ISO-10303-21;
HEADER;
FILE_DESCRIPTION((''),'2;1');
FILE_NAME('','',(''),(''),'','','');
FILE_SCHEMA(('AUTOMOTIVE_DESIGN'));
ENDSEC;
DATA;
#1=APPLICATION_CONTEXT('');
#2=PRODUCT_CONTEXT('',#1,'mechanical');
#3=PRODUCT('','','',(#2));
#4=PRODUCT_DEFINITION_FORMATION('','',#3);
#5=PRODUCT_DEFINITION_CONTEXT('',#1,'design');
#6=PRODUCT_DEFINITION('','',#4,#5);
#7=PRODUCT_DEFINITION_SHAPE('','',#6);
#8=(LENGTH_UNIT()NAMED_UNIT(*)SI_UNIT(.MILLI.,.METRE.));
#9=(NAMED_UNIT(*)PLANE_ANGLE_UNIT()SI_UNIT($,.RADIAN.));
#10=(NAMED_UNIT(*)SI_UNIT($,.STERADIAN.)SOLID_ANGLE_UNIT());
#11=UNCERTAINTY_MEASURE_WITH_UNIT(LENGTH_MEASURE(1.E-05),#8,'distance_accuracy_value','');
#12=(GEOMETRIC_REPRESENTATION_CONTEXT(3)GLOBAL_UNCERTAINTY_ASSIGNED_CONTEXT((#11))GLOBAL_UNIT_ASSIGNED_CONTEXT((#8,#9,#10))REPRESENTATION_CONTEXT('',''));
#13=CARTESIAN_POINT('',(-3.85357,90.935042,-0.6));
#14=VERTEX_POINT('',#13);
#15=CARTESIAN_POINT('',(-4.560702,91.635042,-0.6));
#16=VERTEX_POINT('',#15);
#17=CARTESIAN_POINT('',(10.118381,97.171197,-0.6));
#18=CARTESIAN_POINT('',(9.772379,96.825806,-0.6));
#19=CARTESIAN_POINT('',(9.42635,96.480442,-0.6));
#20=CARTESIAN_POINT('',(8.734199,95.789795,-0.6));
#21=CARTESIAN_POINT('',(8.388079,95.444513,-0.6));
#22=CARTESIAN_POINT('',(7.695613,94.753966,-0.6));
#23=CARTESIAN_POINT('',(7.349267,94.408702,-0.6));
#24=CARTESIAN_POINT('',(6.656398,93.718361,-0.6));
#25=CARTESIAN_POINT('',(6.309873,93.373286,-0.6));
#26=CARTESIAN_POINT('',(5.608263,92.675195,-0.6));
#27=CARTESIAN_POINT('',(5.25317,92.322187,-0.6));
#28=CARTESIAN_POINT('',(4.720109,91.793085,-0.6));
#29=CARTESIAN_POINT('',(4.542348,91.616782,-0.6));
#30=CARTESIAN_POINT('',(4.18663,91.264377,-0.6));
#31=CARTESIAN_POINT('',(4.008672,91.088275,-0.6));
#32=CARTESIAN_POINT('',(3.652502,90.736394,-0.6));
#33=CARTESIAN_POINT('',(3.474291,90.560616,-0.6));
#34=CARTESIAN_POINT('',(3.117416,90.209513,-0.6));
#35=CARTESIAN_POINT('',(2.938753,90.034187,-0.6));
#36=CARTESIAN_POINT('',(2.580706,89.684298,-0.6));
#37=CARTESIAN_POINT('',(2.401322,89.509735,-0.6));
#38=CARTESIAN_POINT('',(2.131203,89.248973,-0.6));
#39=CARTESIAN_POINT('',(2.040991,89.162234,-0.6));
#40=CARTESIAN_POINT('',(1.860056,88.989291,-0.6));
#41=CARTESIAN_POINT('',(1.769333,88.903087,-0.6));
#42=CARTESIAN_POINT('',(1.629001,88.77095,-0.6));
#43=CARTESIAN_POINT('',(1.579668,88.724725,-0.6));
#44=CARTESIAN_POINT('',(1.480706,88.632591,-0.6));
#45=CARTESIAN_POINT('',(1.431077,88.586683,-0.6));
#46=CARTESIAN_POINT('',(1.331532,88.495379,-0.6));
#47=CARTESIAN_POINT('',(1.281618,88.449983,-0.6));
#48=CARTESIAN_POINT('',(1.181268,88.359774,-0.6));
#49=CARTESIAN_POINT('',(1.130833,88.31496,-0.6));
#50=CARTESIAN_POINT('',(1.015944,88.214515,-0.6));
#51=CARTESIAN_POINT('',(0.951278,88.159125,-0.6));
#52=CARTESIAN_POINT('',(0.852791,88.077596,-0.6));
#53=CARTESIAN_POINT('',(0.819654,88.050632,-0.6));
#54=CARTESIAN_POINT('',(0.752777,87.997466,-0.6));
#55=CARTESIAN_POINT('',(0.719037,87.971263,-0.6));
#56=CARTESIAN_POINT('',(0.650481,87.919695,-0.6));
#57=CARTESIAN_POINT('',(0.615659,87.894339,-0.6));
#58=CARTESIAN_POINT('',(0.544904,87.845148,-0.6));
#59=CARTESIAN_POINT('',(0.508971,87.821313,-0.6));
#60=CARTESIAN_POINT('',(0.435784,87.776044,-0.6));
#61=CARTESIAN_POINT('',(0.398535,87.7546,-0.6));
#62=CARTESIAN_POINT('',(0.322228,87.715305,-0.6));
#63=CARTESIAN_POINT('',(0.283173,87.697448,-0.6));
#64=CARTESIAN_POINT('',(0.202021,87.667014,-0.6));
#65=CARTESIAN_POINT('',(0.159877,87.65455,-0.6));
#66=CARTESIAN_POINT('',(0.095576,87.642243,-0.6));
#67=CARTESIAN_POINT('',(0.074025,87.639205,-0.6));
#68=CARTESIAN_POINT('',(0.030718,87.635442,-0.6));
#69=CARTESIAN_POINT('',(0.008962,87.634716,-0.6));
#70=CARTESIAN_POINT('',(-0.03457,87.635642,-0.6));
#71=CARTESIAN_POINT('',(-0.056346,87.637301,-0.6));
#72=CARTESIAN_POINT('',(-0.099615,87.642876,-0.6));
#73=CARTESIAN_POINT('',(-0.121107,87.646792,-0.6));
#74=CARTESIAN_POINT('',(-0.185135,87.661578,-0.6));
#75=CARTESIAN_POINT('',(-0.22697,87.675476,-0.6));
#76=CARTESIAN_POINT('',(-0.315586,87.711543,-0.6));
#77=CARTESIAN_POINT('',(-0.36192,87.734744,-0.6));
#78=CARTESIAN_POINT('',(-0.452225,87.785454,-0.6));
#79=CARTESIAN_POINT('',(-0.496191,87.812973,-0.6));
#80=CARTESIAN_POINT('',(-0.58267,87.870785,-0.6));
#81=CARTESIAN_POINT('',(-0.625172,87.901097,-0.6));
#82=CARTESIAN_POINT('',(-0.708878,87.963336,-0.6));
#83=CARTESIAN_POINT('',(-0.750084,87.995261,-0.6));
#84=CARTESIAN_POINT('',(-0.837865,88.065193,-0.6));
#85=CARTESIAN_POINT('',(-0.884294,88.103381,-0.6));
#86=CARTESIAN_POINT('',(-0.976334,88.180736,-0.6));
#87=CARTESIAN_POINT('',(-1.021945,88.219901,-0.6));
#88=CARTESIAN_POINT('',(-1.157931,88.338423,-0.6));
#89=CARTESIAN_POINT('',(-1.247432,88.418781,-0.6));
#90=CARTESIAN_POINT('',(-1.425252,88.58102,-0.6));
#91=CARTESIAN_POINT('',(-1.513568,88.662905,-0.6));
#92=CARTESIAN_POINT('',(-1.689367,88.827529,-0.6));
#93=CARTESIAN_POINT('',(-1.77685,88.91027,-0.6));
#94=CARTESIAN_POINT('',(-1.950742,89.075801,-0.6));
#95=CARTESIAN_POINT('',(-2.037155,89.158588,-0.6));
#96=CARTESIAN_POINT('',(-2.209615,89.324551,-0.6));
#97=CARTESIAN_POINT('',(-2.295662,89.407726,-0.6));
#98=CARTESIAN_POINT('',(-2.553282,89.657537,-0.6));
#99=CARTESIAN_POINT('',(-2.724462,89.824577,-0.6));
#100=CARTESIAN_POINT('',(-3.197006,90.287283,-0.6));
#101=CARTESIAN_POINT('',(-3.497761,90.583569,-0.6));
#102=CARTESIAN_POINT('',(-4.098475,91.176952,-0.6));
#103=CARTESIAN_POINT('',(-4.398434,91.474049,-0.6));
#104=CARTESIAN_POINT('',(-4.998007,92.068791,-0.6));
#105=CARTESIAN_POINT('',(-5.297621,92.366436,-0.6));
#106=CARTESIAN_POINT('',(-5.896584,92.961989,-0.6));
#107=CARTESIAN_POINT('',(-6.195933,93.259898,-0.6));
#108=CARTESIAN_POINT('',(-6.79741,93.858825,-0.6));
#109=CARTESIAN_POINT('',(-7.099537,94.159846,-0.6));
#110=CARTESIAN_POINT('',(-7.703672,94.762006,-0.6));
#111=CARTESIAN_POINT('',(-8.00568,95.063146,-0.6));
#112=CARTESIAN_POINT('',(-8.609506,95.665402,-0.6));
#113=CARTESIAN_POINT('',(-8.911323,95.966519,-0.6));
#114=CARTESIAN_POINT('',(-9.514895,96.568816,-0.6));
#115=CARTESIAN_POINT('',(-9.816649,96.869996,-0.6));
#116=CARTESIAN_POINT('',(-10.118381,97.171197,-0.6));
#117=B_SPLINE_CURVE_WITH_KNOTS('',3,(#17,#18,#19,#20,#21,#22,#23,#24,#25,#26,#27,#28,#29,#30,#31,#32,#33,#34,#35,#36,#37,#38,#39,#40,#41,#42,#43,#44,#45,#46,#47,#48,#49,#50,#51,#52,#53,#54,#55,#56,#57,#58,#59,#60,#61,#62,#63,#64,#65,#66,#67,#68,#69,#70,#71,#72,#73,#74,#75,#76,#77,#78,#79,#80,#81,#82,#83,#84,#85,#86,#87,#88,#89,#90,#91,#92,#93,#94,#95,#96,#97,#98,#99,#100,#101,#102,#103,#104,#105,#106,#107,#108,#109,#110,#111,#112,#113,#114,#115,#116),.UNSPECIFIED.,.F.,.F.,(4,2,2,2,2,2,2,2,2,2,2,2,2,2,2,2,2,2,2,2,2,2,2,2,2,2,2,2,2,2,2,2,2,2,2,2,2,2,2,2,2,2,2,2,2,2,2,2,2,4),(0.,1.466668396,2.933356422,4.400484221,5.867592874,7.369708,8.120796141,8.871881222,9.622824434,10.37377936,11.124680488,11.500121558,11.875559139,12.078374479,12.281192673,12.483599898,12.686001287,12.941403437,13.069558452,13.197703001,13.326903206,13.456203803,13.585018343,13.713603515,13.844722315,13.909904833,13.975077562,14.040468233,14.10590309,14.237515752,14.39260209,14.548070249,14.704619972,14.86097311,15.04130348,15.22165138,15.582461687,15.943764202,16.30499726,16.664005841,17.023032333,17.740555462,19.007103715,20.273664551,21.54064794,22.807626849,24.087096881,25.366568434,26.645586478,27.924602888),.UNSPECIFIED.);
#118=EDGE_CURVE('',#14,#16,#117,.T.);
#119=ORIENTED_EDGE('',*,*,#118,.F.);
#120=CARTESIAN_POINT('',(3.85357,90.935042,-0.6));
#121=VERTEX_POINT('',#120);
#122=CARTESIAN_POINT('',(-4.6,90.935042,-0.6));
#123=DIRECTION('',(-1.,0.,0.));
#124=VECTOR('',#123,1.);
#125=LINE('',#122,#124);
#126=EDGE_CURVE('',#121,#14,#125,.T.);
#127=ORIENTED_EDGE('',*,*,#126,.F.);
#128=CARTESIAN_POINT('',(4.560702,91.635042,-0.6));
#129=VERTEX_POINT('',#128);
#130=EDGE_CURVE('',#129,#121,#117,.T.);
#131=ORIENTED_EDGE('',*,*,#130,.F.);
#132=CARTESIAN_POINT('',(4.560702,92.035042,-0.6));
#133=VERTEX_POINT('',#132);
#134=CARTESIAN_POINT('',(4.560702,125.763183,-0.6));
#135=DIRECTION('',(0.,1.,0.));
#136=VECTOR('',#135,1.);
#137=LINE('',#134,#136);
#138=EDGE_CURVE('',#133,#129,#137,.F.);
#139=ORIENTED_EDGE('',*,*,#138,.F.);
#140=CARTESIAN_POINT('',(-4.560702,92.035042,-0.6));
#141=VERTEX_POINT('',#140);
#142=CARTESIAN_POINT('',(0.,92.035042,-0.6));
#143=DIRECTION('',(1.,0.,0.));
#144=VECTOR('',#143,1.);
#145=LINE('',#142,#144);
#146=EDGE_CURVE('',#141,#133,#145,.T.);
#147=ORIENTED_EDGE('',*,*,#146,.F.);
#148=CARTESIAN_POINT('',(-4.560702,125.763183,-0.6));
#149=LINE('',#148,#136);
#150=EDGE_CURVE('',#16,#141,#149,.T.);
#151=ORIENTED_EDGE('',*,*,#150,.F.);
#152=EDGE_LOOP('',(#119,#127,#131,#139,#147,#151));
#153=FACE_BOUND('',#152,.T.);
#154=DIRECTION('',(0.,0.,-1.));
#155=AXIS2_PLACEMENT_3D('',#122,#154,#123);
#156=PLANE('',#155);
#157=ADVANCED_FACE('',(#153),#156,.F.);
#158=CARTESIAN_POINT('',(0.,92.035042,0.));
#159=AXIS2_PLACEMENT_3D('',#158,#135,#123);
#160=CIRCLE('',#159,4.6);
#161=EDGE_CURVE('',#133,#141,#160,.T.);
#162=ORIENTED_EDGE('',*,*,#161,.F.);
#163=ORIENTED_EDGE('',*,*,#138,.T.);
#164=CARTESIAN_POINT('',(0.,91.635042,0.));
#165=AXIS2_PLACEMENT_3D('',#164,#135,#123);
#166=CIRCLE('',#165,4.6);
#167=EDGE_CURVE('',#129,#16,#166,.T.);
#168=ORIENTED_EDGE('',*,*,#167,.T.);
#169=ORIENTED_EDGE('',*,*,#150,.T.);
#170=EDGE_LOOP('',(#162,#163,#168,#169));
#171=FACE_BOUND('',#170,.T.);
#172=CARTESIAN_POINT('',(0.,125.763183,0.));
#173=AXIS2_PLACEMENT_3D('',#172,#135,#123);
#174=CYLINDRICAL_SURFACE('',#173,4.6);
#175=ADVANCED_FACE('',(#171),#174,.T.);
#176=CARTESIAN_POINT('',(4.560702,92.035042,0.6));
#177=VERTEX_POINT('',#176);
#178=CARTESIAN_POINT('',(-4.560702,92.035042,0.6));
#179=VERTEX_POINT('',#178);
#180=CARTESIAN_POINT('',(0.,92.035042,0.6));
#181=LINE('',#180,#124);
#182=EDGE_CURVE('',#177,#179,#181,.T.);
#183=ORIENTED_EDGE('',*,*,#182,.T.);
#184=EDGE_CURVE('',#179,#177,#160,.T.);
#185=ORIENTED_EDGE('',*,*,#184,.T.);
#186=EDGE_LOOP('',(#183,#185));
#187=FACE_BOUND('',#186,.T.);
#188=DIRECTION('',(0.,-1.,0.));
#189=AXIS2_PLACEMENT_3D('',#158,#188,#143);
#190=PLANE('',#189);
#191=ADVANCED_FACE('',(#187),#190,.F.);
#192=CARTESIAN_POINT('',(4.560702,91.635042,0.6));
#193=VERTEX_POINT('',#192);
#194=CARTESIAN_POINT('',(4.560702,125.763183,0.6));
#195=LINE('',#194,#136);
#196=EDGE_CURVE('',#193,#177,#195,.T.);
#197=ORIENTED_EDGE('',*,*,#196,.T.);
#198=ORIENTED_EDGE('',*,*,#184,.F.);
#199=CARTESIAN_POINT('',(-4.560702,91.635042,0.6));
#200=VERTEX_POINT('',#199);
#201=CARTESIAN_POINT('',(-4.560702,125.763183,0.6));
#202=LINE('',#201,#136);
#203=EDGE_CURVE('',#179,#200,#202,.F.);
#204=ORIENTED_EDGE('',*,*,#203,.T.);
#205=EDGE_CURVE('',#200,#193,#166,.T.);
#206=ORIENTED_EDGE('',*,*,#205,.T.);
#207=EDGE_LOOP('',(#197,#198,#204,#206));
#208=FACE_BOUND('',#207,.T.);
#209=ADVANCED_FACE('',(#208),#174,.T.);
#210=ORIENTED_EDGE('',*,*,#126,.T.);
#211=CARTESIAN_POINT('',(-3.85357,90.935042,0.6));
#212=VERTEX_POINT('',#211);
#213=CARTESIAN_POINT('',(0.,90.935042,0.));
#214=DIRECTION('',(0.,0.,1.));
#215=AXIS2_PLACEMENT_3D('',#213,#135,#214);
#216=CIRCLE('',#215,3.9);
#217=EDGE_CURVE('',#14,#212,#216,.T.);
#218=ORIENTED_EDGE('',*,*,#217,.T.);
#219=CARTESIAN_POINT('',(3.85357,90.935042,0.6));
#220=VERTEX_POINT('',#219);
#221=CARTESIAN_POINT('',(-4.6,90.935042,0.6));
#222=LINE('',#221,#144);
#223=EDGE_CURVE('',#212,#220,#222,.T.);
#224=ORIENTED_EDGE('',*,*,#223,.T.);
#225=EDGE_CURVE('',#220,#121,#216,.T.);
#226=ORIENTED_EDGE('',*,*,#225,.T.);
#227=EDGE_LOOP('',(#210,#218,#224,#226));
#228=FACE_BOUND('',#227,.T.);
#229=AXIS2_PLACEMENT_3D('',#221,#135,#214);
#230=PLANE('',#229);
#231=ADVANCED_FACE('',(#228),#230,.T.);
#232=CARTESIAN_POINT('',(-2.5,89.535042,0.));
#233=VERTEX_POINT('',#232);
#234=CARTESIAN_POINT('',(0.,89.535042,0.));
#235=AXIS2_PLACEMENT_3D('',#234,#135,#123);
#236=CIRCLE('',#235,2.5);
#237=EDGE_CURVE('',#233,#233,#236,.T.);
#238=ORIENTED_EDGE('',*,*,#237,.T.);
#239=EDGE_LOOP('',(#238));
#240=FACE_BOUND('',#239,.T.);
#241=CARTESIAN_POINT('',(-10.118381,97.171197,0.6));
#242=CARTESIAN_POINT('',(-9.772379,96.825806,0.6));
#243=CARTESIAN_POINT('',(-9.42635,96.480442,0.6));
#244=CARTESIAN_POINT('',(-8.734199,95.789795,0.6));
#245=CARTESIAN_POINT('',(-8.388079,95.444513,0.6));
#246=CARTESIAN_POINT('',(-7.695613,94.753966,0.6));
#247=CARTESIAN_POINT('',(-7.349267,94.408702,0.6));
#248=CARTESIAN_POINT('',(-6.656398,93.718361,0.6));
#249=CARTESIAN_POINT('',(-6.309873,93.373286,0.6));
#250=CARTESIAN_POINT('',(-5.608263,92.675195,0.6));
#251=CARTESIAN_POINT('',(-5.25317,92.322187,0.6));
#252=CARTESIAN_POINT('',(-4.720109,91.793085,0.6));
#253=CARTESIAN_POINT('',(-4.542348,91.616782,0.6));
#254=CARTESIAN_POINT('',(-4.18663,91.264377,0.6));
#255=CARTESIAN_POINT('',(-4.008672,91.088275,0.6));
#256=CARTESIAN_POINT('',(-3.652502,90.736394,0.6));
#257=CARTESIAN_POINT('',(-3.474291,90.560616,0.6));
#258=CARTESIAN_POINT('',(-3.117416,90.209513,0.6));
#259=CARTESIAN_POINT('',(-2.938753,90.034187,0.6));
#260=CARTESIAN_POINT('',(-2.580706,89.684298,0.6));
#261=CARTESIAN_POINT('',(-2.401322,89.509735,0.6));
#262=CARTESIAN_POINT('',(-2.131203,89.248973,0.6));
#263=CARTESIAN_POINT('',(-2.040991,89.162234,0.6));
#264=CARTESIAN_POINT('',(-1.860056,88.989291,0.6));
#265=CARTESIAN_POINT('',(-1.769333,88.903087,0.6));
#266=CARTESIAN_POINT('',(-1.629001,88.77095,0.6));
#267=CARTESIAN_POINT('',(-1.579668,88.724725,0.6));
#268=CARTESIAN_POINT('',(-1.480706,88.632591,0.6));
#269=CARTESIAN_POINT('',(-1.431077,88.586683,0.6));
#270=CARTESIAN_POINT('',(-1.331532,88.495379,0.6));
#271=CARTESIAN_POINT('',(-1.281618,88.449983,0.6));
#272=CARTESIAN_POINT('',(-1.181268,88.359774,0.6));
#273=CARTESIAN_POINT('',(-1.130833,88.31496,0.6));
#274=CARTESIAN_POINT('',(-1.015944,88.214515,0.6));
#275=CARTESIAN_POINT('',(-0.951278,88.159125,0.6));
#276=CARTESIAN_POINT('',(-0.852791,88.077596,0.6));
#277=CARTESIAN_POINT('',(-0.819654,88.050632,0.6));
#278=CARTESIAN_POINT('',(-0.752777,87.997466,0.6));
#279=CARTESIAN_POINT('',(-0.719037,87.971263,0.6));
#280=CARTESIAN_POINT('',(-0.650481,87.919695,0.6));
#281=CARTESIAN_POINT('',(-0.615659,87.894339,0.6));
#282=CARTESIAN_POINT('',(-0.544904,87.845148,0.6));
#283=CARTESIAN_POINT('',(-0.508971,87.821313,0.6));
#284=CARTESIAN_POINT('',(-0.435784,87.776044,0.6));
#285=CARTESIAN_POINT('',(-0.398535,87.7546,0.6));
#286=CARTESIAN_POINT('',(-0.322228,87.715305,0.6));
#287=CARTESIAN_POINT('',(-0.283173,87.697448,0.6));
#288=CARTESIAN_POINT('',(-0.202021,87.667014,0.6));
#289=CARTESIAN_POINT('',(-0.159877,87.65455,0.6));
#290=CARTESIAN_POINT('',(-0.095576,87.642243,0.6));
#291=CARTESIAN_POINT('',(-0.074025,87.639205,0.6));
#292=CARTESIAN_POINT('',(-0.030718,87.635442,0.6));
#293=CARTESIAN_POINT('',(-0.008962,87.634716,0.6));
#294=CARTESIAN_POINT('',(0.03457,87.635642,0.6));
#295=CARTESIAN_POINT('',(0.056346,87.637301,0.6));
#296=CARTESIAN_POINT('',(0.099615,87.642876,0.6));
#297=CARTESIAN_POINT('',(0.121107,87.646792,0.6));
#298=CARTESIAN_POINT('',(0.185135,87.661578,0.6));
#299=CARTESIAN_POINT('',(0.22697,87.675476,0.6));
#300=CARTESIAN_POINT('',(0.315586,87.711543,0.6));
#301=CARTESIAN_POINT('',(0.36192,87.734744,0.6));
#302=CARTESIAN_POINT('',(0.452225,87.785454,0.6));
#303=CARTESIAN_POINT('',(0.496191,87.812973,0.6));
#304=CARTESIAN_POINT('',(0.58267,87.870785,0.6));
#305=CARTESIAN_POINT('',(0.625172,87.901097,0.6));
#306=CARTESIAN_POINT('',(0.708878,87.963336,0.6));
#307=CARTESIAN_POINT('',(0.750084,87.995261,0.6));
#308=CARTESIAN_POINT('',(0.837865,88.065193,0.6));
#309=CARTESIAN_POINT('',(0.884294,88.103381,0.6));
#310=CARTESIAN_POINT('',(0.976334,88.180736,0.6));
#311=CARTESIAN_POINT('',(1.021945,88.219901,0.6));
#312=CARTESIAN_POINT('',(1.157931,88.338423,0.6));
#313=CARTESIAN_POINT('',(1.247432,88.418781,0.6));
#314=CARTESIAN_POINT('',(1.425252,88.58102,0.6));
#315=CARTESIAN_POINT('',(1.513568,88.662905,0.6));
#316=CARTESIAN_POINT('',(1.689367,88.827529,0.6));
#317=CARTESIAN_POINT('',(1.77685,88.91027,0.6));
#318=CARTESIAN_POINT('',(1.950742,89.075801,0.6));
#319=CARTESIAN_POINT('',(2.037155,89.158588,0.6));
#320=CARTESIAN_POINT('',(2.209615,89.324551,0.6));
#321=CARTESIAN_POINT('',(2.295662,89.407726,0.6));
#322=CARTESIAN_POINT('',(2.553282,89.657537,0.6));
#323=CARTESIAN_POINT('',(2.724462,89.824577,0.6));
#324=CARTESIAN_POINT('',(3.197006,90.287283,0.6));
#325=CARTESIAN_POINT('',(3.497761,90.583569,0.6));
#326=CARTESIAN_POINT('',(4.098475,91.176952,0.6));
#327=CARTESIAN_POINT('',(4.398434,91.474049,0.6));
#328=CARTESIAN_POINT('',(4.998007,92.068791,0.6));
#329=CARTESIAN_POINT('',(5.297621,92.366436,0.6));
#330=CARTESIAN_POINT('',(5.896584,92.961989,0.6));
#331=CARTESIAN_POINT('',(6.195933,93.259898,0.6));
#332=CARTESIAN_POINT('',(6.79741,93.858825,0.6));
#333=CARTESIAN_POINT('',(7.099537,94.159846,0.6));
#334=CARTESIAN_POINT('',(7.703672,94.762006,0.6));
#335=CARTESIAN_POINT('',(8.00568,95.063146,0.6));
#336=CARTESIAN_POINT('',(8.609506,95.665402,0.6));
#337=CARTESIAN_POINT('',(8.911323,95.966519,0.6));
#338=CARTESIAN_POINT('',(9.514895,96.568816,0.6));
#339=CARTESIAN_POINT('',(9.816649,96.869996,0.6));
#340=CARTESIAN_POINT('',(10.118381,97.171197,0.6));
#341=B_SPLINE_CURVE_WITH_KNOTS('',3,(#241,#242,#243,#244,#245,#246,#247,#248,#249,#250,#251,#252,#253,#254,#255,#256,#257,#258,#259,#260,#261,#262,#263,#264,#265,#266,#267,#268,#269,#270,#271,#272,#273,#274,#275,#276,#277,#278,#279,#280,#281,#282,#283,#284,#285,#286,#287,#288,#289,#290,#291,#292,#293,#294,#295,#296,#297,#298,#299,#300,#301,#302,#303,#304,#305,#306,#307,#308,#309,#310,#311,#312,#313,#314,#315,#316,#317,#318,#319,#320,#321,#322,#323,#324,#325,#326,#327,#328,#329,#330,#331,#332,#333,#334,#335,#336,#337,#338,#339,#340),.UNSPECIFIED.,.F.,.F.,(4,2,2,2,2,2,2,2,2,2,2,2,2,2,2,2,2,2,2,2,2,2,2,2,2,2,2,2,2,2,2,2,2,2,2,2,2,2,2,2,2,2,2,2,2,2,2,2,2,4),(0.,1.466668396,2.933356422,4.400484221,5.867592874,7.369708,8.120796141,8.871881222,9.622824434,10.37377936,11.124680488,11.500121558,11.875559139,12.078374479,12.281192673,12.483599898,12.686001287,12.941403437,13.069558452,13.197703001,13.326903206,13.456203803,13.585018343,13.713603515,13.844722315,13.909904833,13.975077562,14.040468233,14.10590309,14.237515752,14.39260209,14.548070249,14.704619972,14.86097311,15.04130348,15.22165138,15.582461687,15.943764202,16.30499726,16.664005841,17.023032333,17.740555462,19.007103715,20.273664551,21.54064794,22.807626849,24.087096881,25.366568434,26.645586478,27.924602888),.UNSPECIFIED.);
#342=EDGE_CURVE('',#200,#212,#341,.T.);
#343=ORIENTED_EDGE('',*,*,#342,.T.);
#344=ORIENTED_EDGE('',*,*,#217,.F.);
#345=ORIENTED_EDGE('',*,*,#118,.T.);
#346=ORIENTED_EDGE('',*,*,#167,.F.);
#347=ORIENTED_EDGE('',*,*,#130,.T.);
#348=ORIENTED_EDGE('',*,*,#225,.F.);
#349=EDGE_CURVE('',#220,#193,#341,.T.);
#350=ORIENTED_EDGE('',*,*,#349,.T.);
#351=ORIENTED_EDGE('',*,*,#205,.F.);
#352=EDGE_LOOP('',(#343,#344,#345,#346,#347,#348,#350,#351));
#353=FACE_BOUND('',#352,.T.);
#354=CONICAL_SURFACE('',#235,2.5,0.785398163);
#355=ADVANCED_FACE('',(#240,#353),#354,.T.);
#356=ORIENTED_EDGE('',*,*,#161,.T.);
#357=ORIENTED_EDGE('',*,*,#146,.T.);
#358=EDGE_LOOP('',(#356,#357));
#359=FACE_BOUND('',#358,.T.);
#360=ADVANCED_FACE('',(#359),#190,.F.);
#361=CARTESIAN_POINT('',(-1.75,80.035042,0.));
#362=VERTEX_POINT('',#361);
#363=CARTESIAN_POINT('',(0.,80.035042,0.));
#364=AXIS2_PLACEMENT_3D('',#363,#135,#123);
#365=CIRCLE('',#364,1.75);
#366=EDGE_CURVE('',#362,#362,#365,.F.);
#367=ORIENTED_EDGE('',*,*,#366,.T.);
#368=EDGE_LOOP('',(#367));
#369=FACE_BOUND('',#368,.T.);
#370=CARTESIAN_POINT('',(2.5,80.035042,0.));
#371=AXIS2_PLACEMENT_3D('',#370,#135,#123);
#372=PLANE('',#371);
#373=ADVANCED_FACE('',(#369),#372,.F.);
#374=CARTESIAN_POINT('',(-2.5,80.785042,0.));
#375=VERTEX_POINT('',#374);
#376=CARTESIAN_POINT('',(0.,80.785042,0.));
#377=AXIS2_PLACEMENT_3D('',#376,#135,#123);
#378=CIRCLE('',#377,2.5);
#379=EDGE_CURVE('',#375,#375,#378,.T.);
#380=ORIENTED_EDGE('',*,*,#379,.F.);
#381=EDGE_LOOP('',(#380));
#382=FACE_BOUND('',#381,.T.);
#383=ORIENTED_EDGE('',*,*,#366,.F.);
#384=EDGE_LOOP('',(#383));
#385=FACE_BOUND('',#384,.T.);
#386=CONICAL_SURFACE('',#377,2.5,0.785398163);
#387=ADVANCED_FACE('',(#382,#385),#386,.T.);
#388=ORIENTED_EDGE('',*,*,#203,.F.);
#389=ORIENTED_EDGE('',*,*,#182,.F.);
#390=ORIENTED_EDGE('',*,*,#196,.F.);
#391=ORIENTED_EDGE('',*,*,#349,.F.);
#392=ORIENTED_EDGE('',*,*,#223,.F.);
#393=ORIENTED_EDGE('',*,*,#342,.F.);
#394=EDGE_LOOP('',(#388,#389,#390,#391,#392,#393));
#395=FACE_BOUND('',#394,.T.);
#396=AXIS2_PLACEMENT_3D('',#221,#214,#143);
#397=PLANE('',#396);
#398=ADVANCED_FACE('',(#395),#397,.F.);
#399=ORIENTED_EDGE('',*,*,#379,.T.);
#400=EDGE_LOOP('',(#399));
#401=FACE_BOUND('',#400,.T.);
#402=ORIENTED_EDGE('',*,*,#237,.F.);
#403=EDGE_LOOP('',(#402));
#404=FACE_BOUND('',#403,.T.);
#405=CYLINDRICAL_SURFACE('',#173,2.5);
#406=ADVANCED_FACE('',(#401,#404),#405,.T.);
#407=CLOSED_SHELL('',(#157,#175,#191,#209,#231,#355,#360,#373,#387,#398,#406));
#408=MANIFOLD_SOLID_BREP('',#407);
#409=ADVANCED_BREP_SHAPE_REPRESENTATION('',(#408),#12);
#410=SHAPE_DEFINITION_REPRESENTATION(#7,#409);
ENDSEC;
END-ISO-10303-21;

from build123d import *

# Parameters (mm, degrees)
SKETCH_13_W         = 9.2
SKETCH_13_H         = 1.2
CUT_EXTRUDE_9_DEPTH = 1.1
CHAMFER_1_SIZE      = 0.75


with BuildPart() as part:
    # Эскиз1 → Повернуть1 (revolve)
    with BuildSketch(Plane.XY):
        Polygon((0, 92.035042223), (0, 80.035042223), (2.5, 80.035042223), (2.5, 89.535042223), (4.6, 91.635042223), (4.6, 92.035042223), align=None)
    revolve(axis=Axis((0, 125.763182898, 0), (0, -1, 0)))

    # Эскиз13 → Вырез-Вытянуть9 (cut)
    with BuildSketch(Plane(origin=(0, 92.035042223, 0), x_dir=(-1, 0, 0), z_dir=(0, 1, 0))):
        Rectangle(SKETCH_13_W, SKETCH_13_H)
    extrude(amount=-CUT_EXTRUDE_9_DEPTH, mode=Mode.SUBTRACT)

    # Фаска1
    chamfer_1_edges = [part.edges().sort_by_distance(p)[0] for p in [
        (-2.5, 80.035042223, 0),
    ]]
    chamfer(chamfer_1_edges, length=CHAMFER_1_SIZE)


solid = part.part
